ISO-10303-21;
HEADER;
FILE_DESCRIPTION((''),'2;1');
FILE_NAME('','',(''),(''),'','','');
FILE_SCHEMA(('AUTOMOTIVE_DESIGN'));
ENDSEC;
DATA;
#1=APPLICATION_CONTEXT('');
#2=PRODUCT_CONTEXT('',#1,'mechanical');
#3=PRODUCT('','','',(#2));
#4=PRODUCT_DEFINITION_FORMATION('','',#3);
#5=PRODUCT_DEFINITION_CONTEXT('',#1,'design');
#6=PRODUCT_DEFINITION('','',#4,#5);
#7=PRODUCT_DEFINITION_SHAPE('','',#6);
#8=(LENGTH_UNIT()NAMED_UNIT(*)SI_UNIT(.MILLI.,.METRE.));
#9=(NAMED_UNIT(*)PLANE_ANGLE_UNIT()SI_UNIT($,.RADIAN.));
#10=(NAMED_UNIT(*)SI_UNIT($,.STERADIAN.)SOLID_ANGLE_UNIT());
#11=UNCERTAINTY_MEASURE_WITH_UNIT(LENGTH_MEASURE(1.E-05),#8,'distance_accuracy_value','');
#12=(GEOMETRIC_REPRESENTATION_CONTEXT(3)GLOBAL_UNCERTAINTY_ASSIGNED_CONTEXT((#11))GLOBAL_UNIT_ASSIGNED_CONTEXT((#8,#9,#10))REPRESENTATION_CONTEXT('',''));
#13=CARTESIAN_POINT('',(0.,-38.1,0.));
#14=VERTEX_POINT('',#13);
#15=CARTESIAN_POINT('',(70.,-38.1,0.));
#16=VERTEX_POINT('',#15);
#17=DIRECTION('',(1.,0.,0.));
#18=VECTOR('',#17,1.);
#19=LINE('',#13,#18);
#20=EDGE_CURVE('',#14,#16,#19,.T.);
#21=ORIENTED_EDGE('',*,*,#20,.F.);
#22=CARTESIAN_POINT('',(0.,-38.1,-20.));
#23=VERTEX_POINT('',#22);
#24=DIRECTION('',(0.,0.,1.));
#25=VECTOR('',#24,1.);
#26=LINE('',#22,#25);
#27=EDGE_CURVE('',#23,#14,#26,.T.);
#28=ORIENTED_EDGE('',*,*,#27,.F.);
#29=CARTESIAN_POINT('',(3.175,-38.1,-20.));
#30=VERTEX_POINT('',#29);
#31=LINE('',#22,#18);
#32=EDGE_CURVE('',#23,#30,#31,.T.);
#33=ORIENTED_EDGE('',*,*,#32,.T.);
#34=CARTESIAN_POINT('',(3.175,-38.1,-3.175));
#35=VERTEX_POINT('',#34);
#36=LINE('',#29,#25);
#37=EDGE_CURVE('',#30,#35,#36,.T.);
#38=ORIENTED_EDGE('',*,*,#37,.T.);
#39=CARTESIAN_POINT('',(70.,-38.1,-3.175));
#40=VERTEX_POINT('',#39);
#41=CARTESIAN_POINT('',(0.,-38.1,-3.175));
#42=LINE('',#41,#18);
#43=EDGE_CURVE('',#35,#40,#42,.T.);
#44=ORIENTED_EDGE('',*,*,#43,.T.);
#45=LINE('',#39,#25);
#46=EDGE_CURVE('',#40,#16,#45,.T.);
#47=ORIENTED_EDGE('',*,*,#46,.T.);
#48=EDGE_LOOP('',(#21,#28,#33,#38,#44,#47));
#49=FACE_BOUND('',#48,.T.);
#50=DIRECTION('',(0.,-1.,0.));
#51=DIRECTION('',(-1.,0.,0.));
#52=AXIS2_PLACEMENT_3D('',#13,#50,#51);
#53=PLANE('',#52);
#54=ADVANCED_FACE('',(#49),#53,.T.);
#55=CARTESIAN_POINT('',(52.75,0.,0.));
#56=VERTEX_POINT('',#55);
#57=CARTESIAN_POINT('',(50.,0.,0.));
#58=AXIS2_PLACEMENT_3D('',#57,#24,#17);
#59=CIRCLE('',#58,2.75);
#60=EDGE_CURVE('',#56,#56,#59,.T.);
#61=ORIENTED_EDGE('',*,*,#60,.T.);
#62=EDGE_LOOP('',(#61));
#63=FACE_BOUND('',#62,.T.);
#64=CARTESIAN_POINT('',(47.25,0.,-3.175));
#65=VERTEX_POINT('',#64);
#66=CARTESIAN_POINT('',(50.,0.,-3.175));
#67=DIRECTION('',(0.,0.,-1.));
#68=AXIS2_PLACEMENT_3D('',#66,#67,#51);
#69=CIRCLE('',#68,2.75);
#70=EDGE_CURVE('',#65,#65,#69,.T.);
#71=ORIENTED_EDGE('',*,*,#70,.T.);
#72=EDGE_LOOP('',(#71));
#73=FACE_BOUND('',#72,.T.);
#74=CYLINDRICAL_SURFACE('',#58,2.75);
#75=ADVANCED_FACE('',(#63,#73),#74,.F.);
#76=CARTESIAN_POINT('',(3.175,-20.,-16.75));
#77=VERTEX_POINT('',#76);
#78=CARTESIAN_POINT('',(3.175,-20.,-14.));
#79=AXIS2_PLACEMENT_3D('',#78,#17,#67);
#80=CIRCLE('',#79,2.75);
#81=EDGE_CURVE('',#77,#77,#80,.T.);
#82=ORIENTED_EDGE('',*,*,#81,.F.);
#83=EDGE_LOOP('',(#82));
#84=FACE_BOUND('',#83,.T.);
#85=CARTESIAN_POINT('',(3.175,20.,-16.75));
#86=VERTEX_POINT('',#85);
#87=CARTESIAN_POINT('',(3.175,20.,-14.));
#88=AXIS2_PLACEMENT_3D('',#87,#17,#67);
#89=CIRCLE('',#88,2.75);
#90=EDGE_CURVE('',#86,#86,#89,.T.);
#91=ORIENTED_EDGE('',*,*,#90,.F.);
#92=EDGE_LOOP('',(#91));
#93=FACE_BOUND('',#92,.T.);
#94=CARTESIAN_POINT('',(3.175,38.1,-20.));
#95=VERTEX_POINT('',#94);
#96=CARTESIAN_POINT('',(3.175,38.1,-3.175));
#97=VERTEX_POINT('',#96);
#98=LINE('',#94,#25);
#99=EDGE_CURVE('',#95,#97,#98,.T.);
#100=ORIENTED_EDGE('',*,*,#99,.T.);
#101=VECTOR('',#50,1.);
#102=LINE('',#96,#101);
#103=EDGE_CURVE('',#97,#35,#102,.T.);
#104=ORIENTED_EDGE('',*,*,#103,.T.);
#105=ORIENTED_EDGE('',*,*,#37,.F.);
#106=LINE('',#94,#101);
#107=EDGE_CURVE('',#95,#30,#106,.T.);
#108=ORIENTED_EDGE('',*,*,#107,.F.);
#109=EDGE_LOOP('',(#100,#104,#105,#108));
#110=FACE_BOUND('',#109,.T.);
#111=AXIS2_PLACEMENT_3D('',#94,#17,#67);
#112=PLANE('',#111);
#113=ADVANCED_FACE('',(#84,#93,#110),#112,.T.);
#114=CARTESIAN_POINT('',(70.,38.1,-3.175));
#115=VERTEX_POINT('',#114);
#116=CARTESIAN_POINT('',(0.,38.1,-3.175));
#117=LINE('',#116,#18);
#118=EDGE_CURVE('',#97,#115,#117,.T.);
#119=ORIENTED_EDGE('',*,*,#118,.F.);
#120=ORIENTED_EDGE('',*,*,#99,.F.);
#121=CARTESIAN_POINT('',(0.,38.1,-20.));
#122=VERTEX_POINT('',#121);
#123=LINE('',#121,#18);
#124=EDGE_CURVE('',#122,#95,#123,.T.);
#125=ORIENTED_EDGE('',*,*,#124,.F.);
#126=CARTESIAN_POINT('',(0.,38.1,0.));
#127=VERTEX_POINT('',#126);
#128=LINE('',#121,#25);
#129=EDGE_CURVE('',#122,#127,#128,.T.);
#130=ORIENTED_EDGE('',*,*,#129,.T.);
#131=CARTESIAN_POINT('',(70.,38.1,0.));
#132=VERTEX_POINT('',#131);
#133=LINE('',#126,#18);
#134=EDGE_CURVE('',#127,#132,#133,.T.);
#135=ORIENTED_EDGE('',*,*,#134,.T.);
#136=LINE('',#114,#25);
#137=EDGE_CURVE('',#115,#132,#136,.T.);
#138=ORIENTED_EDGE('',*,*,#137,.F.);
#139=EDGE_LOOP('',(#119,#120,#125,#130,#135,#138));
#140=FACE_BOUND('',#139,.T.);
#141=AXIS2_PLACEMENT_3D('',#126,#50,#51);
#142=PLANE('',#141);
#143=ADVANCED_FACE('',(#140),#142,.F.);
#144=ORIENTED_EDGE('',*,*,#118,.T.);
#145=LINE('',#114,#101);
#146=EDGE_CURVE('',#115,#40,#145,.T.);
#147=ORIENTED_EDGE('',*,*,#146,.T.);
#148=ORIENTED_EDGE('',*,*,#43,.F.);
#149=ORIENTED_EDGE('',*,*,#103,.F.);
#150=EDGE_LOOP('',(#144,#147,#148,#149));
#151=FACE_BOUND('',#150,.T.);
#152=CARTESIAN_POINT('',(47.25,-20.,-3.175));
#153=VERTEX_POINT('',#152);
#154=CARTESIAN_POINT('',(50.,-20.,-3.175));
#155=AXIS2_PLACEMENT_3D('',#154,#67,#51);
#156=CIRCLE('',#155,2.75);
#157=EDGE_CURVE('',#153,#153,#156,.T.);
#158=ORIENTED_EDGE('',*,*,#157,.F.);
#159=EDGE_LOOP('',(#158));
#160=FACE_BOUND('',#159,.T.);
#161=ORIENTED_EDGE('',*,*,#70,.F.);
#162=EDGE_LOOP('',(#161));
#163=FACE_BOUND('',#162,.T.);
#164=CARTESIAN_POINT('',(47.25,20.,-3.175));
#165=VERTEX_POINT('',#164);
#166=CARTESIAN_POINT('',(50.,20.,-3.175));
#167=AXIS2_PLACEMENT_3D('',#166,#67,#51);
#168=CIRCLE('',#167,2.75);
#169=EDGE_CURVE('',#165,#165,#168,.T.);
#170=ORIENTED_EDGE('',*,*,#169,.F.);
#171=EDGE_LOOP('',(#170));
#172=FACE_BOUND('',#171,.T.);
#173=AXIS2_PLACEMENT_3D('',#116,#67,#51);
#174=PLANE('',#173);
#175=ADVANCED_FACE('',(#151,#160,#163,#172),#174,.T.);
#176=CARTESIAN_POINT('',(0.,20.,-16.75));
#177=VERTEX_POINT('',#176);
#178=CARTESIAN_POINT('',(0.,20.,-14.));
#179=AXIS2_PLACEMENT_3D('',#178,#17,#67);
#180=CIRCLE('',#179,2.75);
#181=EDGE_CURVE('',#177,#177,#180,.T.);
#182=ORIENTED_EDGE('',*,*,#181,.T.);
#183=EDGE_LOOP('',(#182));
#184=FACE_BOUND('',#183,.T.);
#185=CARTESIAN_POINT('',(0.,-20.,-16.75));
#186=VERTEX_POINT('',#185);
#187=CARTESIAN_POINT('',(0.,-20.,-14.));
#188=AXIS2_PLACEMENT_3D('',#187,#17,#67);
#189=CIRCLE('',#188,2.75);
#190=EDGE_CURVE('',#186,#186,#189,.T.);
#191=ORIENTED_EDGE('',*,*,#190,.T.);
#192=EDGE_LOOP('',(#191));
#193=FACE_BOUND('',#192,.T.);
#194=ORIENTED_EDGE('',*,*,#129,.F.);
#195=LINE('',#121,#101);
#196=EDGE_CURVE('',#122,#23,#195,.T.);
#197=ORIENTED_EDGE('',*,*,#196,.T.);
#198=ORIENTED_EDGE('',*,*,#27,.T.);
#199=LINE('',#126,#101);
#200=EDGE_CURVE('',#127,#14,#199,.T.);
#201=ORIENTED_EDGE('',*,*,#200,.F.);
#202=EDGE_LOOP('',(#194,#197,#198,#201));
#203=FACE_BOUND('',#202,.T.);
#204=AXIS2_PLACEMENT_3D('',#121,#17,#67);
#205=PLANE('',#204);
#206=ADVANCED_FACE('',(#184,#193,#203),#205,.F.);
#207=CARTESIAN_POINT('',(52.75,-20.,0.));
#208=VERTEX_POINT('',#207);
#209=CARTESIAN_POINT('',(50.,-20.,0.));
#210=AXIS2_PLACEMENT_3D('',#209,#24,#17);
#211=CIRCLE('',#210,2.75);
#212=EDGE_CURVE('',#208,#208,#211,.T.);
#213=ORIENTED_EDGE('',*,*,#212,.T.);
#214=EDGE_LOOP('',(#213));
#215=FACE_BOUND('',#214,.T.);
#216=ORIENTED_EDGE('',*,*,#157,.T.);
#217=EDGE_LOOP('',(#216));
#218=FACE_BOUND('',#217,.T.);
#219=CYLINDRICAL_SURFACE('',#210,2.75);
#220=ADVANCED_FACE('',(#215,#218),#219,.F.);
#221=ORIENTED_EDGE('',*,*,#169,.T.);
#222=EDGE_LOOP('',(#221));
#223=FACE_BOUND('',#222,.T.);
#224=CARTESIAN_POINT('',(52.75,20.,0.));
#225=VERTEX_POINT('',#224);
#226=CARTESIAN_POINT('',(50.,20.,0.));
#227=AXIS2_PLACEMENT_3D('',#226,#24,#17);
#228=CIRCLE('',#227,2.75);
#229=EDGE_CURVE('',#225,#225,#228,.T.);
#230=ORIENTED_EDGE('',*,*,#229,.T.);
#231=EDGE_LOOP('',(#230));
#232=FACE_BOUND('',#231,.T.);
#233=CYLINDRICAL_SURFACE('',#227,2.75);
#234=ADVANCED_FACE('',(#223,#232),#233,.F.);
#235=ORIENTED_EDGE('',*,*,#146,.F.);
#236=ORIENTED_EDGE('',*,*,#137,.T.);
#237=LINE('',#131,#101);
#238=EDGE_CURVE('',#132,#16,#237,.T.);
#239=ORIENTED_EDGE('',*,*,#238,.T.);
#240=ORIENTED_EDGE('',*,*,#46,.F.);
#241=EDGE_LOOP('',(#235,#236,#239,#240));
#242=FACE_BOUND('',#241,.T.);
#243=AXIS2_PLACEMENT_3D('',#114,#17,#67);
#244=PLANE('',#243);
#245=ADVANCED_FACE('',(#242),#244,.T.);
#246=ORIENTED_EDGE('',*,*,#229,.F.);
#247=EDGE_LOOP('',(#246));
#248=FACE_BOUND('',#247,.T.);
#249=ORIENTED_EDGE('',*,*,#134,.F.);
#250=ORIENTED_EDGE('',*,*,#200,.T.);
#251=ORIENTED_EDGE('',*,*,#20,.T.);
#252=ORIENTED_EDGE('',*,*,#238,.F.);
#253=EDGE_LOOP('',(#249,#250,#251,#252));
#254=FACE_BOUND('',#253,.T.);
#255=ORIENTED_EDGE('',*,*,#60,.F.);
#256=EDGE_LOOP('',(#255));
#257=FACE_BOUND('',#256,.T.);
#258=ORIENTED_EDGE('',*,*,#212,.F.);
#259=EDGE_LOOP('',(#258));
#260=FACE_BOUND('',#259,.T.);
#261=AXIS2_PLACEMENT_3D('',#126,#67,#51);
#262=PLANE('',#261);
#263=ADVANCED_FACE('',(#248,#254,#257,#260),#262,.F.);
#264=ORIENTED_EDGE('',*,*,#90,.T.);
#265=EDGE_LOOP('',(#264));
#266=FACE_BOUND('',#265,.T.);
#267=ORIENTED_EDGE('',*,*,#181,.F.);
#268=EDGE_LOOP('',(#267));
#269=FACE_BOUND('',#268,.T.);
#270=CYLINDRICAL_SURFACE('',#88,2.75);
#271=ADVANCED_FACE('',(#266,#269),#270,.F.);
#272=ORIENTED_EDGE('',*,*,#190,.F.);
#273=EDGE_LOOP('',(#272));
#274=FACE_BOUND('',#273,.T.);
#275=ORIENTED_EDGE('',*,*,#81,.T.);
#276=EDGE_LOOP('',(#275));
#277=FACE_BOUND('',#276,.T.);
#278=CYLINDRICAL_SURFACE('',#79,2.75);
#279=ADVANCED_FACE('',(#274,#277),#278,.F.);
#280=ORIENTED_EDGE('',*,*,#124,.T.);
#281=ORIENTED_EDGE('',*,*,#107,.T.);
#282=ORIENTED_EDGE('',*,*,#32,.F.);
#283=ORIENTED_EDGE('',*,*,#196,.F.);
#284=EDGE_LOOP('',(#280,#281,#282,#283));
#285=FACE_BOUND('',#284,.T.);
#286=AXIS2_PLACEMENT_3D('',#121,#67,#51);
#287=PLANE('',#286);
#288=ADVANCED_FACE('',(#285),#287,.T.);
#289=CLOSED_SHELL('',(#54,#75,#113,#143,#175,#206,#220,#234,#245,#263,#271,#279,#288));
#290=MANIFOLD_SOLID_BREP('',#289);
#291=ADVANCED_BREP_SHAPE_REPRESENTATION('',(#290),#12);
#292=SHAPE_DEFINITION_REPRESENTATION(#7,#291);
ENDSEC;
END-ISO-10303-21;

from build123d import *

# Parameters (mm, degrees)
EXTRUDE_THIN1_DEPTH  = 38.1
M5_CLEARANCE_HOLE1_D = 5.5
M5_CLEARANCE_HOLE2_D = 5.5


with BuildPart() as part:
    # Sketch1 → Extrude-Thin1 (new body, symmetric)
    with BuildSketch(Plane(origin=(0, 0, 0), x_dir=(1, 0, 0), z_dir=(0, 1, 0))):
        Polygon((0, 20), (0, 0), (70, 0), (70, 3.175), (3.175, 3.175), (3.175, 20), align=None)
    extrude(amount=EXTRUDE_THIN1_DEPTH, both=True)

    # M5 Clearance Hole1 (through all)
    with Locations(Plane.XY):
        with Locations((50, 20), (50, 0), (50, -20)):
            Hole(M5_CLEARANCE_HOLE1_D / 2)

    # M5 Clearance Hole2 (through all)
    with Locations(Plane(origin=(3.175, 0, 0), x_dir=(0, 0, -1), z_dir=(1, 0, 0))):
        with Locations((14, 20), (14, -20)):
            Hole(M5_CLEARANCE_HOLE2_D / 2)


solid = part.part
